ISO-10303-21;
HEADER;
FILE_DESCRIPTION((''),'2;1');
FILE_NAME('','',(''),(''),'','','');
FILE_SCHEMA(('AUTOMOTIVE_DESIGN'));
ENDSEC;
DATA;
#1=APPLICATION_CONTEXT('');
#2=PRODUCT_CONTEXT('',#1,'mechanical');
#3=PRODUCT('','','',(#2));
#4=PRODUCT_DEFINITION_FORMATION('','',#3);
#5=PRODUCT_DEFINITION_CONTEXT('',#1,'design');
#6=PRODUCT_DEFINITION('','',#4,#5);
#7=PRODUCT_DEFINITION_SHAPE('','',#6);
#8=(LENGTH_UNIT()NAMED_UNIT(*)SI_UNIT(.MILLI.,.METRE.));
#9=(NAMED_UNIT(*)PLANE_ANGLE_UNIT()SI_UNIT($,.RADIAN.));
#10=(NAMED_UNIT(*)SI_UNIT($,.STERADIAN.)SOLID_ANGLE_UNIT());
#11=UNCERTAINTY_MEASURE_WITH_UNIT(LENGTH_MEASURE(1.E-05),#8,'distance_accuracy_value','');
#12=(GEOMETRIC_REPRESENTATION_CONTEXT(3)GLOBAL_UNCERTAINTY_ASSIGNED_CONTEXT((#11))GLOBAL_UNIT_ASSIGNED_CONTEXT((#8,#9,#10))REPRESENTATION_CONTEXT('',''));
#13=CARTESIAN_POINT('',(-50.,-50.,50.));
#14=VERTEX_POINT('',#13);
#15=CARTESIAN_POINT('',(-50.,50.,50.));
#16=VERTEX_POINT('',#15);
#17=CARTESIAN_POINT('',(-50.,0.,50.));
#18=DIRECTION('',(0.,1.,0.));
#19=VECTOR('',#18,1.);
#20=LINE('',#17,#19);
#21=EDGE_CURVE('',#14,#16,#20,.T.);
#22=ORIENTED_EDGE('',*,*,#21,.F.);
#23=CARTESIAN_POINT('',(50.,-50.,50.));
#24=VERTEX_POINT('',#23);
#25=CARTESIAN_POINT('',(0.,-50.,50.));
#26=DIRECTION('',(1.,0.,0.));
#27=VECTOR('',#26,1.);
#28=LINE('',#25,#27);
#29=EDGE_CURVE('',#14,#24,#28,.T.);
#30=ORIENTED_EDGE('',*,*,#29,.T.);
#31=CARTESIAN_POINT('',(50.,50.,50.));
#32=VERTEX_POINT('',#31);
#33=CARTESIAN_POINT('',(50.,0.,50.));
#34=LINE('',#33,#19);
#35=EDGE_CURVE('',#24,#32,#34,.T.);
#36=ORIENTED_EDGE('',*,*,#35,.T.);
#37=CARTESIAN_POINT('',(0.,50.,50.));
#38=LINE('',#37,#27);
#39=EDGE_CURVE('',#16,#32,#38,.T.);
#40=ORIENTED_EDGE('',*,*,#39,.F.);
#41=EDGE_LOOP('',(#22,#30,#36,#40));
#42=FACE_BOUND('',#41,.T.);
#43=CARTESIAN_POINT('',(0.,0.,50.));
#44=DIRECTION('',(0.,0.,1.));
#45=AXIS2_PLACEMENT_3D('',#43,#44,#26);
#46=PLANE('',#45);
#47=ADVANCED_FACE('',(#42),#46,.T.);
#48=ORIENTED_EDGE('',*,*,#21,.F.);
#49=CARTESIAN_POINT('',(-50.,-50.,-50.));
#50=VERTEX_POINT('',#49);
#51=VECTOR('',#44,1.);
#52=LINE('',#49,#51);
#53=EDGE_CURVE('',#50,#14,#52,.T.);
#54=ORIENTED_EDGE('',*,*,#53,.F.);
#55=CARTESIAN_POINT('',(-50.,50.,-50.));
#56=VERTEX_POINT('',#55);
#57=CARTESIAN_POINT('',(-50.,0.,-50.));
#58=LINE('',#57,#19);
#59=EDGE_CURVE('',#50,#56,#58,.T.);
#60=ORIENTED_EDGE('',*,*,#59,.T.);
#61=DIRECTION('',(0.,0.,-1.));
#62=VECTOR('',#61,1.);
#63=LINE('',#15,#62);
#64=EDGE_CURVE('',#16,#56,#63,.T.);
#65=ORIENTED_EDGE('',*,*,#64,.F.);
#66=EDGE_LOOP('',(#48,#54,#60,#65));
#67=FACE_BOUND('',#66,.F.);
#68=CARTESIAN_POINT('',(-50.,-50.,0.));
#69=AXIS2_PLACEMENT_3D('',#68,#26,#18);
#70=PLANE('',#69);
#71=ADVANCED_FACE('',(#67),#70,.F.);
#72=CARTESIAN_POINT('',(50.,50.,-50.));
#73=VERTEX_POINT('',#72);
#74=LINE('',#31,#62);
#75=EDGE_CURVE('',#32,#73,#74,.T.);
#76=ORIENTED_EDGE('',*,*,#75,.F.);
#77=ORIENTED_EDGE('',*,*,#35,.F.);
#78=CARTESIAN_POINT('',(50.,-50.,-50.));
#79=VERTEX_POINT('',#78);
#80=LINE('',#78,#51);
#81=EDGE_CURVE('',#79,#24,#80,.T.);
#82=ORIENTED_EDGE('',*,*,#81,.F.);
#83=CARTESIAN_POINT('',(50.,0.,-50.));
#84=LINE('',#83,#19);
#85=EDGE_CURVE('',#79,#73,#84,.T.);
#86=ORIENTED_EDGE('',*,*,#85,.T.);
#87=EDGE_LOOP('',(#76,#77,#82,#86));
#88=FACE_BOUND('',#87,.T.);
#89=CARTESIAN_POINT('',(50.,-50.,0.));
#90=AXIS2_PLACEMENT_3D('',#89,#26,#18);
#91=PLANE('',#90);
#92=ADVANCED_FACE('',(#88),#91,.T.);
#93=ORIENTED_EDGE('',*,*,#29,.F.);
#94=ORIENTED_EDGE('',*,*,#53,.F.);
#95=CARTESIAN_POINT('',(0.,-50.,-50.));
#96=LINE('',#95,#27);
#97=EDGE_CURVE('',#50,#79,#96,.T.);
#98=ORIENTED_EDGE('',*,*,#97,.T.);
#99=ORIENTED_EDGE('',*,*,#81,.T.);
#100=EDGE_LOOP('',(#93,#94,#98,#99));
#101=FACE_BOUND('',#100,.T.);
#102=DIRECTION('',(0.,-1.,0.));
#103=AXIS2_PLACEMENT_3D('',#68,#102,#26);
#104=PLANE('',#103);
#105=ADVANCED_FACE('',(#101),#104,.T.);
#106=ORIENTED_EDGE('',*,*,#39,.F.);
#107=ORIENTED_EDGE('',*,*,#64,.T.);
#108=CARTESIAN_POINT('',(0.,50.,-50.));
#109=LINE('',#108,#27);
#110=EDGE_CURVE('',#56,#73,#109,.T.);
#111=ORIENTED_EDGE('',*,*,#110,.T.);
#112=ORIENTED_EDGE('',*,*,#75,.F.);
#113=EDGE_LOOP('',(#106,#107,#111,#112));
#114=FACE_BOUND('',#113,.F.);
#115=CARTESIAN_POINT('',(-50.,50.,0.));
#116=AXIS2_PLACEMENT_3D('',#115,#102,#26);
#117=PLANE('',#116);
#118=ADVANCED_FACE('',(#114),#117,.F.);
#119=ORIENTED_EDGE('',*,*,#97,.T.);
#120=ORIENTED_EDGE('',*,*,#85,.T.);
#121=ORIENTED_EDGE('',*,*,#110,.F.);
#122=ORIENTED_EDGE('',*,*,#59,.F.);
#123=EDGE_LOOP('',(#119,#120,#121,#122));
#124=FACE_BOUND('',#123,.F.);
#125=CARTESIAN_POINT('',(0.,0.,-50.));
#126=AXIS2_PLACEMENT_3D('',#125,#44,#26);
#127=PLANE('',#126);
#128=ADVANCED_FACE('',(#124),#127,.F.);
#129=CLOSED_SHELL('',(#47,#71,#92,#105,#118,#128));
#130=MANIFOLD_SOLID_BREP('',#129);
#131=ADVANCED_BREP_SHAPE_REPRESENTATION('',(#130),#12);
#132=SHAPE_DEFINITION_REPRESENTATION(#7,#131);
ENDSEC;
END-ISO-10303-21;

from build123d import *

# Parameters (mm, degrees)
SKETCH_4_W      = 100
SKETCH_4_H      = 100
EXTRUDE_1_DEPTH = 50


with BuildPart() as part:
    # 草图4 → 凸台-拉伸1 (new body, symmetric)
    with BuildSketch(Plane.XY):
        Rectangle(SKETCH_4_W, SKETCH_4_H)
    extrude(amount=EXTRUDE_1_DEPTH, both=True)


solid = part.part
